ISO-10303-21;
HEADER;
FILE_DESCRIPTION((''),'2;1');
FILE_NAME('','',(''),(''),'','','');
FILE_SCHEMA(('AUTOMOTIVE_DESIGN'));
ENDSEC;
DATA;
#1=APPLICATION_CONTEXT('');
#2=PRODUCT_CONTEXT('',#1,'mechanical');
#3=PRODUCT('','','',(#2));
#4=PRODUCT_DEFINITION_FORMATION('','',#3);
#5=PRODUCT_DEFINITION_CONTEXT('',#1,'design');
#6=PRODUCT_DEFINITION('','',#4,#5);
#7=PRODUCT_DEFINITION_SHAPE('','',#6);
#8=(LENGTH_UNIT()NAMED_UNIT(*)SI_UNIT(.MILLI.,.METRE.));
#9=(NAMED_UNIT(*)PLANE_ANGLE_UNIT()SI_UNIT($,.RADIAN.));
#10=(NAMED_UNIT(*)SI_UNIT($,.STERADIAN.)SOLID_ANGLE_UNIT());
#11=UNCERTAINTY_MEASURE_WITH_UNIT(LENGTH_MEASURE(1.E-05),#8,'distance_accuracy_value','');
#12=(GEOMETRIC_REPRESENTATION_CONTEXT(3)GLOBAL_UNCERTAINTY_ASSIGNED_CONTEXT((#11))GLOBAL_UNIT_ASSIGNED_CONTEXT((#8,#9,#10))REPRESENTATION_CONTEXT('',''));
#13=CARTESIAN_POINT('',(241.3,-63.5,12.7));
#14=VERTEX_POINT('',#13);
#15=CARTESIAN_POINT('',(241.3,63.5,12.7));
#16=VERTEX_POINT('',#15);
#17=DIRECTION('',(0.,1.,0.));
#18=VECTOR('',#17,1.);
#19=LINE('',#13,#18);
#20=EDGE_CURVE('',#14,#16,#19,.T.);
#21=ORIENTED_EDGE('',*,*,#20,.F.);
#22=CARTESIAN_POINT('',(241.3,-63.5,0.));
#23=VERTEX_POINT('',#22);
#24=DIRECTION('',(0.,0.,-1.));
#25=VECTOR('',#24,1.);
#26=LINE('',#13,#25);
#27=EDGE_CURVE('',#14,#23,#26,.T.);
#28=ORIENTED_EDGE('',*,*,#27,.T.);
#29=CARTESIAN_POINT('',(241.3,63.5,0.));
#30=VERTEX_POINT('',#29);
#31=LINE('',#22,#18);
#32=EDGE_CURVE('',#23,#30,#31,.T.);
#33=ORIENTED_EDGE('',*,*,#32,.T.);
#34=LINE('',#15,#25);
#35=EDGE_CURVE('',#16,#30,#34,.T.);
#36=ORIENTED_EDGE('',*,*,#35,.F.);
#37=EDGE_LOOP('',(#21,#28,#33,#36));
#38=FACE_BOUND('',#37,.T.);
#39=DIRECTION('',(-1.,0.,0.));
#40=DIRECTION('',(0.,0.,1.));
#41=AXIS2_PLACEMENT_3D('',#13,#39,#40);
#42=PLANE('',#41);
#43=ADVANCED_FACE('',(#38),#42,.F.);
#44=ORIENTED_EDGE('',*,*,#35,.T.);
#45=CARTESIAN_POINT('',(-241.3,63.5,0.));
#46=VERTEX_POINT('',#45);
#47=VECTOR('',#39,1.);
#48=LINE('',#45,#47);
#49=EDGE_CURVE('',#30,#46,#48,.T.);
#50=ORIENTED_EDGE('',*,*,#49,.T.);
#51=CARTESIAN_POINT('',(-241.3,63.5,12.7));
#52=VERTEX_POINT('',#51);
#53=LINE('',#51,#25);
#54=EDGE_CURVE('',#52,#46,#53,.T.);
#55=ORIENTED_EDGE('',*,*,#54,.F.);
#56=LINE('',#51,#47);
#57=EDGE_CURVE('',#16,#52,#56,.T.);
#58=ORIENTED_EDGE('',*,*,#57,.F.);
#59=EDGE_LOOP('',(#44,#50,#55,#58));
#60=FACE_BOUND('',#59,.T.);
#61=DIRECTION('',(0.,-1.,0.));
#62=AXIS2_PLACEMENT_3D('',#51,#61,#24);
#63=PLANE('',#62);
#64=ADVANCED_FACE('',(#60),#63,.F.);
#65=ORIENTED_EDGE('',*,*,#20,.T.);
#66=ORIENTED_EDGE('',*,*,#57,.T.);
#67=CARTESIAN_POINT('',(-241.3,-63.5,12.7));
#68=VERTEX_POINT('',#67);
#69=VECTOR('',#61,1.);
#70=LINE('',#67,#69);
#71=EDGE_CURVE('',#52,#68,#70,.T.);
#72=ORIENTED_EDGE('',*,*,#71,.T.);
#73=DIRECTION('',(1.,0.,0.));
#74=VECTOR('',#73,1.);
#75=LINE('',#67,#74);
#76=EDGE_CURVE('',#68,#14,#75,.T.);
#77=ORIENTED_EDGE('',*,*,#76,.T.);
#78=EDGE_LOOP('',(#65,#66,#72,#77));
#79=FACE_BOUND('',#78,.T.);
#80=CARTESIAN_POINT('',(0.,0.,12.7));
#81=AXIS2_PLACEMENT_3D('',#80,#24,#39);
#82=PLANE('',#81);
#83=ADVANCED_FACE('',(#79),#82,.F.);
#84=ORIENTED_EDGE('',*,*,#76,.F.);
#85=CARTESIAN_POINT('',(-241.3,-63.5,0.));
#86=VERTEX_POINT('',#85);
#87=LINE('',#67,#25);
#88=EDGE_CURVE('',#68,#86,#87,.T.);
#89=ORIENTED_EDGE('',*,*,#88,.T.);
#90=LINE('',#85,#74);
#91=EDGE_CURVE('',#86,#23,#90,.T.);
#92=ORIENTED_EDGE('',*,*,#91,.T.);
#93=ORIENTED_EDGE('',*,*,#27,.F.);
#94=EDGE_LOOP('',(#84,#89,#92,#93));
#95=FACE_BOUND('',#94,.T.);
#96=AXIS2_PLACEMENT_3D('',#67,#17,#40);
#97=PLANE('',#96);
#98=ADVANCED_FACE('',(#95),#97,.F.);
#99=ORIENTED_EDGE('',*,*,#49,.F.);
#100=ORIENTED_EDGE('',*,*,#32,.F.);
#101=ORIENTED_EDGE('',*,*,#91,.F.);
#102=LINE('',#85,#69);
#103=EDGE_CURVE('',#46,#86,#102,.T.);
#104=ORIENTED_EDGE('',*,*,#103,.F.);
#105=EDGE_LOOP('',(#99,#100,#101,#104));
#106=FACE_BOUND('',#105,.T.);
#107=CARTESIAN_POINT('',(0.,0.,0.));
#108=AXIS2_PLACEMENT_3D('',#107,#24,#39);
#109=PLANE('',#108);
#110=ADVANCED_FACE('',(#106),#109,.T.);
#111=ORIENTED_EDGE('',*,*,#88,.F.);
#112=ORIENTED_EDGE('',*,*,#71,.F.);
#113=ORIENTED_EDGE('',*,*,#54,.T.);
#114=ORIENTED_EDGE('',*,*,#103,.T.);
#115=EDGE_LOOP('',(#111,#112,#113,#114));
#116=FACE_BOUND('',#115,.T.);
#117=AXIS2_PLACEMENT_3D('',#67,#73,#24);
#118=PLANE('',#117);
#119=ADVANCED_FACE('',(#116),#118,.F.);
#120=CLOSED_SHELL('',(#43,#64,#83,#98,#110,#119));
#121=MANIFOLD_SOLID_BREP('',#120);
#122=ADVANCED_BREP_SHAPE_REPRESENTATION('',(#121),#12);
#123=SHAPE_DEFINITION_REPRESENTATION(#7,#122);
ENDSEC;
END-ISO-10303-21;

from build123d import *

# Parameters (mm, degrees)
SKETCH1_W           = 482.6
SKETCH1_H           = 127
BOSS_EXTRUDE1_DEPTH = 12.7


with BuildPart() as part:
    # Sketch1 → Boss-Extrude1 (new body)
    with BuildSketch(Plane.XY):
        Rectangle(SKETCH1_W, SKETCH1_H)
    extrude(amount=BOSS_EXTRUDE1_DEPTH)


solid = part.part
